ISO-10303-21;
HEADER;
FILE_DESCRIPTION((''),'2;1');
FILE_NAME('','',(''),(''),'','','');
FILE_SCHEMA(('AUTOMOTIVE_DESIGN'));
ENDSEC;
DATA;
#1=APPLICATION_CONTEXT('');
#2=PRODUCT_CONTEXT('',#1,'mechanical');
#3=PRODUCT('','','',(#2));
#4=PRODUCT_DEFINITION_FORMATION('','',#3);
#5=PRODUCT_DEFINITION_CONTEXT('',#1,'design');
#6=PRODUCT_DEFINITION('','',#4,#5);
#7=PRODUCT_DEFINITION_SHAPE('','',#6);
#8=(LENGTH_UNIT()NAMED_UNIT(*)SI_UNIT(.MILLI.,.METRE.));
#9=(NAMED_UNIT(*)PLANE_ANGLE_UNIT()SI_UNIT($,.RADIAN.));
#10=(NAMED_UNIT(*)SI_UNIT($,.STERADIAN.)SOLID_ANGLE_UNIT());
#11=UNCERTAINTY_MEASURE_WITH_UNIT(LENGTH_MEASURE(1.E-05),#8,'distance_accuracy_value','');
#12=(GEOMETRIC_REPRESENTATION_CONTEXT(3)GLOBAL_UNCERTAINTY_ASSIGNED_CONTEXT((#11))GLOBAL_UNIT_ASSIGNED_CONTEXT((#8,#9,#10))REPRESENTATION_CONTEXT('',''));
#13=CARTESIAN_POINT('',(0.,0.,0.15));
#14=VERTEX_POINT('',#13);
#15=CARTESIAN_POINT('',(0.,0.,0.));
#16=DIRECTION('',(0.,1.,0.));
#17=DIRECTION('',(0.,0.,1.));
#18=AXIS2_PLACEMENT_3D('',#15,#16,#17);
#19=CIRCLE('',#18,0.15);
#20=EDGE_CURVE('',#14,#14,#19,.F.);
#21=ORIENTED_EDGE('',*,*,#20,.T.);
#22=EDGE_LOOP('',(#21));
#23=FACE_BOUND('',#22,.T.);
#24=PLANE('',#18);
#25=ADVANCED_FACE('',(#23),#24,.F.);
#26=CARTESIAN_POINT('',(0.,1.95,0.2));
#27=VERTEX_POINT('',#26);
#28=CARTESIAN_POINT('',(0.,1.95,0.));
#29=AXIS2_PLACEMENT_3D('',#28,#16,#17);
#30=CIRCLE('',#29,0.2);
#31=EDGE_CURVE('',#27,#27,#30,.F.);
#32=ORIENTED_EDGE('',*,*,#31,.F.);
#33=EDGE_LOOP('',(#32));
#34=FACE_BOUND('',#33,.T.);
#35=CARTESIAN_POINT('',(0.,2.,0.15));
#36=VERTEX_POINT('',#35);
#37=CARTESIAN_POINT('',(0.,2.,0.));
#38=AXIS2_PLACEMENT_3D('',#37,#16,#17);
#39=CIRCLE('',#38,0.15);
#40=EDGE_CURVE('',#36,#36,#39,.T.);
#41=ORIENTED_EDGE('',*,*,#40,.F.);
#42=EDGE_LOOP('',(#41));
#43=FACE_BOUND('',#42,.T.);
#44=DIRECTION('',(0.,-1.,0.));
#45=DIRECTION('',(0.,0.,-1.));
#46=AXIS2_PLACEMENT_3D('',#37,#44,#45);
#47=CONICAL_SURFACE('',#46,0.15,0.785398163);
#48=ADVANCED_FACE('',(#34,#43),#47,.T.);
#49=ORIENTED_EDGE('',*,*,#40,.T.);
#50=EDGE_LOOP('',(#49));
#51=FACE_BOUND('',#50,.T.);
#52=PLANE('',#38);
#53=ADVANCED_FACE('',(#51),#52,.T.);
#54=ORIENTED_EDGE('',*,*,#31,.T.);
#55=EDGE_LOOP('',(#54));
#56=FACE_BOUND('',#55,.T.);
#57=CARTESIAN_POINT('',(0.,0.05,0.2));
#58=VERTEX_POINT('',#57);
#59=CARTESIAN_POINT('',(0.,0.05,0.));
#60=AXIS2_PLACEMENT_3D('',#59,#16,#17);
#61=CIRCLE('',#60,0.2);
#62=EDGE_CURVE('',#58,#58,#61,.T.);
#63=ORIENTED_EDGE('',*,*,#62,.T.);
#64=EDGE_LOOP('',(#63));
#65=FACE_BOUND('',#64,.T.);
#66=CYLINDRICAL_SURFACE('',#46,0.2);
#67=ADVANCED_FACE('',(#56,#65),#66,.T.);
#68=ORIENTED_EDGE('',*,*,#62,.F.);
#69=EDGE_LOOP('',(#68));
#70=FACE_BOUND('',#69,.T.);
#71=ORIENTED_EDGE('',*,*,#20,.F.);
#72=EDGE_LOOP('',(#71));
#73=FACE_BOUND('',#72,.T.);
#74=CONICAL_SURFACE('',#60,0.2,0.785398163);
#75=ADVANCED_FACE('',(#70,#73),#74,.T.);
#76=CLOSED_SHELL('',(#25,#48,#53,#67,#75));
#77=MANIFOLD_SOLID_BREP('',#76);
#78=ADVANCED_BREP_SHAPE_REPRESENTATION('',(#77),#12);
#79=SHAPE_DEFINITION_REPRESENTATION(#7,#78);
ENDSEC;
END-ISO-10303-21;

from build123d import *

# Parameters (mm, degrees)
SKETCH1_R           = 0.2
BOSS_EXTRUDE1_DEPTH = 2
CHAMFER1_SIZE       = 0.05


with BuildPart() as part:
    # Sketch1 → Boss-Extrude1 (new body)
    with BuildSketch(Plane(origin=(0, 0, 0), x_dir=(1, 0, 0), z_dir=(0, 1, 0))):
        Circle(SKETCH1_R)
    extrude(amount=BOSS_EXTRUDE1_DEPTH)

    # Chamfer1
    chamfer1_edges = [part.edges().sort_by_distance(p)[0] for p in [
        (-0.2, 0, 0),
        (-0.2, 2, 0),
    ]]
    chamfer(chamfer1_edges, length=CHAMFER1_SIZE)


solid = part.part
